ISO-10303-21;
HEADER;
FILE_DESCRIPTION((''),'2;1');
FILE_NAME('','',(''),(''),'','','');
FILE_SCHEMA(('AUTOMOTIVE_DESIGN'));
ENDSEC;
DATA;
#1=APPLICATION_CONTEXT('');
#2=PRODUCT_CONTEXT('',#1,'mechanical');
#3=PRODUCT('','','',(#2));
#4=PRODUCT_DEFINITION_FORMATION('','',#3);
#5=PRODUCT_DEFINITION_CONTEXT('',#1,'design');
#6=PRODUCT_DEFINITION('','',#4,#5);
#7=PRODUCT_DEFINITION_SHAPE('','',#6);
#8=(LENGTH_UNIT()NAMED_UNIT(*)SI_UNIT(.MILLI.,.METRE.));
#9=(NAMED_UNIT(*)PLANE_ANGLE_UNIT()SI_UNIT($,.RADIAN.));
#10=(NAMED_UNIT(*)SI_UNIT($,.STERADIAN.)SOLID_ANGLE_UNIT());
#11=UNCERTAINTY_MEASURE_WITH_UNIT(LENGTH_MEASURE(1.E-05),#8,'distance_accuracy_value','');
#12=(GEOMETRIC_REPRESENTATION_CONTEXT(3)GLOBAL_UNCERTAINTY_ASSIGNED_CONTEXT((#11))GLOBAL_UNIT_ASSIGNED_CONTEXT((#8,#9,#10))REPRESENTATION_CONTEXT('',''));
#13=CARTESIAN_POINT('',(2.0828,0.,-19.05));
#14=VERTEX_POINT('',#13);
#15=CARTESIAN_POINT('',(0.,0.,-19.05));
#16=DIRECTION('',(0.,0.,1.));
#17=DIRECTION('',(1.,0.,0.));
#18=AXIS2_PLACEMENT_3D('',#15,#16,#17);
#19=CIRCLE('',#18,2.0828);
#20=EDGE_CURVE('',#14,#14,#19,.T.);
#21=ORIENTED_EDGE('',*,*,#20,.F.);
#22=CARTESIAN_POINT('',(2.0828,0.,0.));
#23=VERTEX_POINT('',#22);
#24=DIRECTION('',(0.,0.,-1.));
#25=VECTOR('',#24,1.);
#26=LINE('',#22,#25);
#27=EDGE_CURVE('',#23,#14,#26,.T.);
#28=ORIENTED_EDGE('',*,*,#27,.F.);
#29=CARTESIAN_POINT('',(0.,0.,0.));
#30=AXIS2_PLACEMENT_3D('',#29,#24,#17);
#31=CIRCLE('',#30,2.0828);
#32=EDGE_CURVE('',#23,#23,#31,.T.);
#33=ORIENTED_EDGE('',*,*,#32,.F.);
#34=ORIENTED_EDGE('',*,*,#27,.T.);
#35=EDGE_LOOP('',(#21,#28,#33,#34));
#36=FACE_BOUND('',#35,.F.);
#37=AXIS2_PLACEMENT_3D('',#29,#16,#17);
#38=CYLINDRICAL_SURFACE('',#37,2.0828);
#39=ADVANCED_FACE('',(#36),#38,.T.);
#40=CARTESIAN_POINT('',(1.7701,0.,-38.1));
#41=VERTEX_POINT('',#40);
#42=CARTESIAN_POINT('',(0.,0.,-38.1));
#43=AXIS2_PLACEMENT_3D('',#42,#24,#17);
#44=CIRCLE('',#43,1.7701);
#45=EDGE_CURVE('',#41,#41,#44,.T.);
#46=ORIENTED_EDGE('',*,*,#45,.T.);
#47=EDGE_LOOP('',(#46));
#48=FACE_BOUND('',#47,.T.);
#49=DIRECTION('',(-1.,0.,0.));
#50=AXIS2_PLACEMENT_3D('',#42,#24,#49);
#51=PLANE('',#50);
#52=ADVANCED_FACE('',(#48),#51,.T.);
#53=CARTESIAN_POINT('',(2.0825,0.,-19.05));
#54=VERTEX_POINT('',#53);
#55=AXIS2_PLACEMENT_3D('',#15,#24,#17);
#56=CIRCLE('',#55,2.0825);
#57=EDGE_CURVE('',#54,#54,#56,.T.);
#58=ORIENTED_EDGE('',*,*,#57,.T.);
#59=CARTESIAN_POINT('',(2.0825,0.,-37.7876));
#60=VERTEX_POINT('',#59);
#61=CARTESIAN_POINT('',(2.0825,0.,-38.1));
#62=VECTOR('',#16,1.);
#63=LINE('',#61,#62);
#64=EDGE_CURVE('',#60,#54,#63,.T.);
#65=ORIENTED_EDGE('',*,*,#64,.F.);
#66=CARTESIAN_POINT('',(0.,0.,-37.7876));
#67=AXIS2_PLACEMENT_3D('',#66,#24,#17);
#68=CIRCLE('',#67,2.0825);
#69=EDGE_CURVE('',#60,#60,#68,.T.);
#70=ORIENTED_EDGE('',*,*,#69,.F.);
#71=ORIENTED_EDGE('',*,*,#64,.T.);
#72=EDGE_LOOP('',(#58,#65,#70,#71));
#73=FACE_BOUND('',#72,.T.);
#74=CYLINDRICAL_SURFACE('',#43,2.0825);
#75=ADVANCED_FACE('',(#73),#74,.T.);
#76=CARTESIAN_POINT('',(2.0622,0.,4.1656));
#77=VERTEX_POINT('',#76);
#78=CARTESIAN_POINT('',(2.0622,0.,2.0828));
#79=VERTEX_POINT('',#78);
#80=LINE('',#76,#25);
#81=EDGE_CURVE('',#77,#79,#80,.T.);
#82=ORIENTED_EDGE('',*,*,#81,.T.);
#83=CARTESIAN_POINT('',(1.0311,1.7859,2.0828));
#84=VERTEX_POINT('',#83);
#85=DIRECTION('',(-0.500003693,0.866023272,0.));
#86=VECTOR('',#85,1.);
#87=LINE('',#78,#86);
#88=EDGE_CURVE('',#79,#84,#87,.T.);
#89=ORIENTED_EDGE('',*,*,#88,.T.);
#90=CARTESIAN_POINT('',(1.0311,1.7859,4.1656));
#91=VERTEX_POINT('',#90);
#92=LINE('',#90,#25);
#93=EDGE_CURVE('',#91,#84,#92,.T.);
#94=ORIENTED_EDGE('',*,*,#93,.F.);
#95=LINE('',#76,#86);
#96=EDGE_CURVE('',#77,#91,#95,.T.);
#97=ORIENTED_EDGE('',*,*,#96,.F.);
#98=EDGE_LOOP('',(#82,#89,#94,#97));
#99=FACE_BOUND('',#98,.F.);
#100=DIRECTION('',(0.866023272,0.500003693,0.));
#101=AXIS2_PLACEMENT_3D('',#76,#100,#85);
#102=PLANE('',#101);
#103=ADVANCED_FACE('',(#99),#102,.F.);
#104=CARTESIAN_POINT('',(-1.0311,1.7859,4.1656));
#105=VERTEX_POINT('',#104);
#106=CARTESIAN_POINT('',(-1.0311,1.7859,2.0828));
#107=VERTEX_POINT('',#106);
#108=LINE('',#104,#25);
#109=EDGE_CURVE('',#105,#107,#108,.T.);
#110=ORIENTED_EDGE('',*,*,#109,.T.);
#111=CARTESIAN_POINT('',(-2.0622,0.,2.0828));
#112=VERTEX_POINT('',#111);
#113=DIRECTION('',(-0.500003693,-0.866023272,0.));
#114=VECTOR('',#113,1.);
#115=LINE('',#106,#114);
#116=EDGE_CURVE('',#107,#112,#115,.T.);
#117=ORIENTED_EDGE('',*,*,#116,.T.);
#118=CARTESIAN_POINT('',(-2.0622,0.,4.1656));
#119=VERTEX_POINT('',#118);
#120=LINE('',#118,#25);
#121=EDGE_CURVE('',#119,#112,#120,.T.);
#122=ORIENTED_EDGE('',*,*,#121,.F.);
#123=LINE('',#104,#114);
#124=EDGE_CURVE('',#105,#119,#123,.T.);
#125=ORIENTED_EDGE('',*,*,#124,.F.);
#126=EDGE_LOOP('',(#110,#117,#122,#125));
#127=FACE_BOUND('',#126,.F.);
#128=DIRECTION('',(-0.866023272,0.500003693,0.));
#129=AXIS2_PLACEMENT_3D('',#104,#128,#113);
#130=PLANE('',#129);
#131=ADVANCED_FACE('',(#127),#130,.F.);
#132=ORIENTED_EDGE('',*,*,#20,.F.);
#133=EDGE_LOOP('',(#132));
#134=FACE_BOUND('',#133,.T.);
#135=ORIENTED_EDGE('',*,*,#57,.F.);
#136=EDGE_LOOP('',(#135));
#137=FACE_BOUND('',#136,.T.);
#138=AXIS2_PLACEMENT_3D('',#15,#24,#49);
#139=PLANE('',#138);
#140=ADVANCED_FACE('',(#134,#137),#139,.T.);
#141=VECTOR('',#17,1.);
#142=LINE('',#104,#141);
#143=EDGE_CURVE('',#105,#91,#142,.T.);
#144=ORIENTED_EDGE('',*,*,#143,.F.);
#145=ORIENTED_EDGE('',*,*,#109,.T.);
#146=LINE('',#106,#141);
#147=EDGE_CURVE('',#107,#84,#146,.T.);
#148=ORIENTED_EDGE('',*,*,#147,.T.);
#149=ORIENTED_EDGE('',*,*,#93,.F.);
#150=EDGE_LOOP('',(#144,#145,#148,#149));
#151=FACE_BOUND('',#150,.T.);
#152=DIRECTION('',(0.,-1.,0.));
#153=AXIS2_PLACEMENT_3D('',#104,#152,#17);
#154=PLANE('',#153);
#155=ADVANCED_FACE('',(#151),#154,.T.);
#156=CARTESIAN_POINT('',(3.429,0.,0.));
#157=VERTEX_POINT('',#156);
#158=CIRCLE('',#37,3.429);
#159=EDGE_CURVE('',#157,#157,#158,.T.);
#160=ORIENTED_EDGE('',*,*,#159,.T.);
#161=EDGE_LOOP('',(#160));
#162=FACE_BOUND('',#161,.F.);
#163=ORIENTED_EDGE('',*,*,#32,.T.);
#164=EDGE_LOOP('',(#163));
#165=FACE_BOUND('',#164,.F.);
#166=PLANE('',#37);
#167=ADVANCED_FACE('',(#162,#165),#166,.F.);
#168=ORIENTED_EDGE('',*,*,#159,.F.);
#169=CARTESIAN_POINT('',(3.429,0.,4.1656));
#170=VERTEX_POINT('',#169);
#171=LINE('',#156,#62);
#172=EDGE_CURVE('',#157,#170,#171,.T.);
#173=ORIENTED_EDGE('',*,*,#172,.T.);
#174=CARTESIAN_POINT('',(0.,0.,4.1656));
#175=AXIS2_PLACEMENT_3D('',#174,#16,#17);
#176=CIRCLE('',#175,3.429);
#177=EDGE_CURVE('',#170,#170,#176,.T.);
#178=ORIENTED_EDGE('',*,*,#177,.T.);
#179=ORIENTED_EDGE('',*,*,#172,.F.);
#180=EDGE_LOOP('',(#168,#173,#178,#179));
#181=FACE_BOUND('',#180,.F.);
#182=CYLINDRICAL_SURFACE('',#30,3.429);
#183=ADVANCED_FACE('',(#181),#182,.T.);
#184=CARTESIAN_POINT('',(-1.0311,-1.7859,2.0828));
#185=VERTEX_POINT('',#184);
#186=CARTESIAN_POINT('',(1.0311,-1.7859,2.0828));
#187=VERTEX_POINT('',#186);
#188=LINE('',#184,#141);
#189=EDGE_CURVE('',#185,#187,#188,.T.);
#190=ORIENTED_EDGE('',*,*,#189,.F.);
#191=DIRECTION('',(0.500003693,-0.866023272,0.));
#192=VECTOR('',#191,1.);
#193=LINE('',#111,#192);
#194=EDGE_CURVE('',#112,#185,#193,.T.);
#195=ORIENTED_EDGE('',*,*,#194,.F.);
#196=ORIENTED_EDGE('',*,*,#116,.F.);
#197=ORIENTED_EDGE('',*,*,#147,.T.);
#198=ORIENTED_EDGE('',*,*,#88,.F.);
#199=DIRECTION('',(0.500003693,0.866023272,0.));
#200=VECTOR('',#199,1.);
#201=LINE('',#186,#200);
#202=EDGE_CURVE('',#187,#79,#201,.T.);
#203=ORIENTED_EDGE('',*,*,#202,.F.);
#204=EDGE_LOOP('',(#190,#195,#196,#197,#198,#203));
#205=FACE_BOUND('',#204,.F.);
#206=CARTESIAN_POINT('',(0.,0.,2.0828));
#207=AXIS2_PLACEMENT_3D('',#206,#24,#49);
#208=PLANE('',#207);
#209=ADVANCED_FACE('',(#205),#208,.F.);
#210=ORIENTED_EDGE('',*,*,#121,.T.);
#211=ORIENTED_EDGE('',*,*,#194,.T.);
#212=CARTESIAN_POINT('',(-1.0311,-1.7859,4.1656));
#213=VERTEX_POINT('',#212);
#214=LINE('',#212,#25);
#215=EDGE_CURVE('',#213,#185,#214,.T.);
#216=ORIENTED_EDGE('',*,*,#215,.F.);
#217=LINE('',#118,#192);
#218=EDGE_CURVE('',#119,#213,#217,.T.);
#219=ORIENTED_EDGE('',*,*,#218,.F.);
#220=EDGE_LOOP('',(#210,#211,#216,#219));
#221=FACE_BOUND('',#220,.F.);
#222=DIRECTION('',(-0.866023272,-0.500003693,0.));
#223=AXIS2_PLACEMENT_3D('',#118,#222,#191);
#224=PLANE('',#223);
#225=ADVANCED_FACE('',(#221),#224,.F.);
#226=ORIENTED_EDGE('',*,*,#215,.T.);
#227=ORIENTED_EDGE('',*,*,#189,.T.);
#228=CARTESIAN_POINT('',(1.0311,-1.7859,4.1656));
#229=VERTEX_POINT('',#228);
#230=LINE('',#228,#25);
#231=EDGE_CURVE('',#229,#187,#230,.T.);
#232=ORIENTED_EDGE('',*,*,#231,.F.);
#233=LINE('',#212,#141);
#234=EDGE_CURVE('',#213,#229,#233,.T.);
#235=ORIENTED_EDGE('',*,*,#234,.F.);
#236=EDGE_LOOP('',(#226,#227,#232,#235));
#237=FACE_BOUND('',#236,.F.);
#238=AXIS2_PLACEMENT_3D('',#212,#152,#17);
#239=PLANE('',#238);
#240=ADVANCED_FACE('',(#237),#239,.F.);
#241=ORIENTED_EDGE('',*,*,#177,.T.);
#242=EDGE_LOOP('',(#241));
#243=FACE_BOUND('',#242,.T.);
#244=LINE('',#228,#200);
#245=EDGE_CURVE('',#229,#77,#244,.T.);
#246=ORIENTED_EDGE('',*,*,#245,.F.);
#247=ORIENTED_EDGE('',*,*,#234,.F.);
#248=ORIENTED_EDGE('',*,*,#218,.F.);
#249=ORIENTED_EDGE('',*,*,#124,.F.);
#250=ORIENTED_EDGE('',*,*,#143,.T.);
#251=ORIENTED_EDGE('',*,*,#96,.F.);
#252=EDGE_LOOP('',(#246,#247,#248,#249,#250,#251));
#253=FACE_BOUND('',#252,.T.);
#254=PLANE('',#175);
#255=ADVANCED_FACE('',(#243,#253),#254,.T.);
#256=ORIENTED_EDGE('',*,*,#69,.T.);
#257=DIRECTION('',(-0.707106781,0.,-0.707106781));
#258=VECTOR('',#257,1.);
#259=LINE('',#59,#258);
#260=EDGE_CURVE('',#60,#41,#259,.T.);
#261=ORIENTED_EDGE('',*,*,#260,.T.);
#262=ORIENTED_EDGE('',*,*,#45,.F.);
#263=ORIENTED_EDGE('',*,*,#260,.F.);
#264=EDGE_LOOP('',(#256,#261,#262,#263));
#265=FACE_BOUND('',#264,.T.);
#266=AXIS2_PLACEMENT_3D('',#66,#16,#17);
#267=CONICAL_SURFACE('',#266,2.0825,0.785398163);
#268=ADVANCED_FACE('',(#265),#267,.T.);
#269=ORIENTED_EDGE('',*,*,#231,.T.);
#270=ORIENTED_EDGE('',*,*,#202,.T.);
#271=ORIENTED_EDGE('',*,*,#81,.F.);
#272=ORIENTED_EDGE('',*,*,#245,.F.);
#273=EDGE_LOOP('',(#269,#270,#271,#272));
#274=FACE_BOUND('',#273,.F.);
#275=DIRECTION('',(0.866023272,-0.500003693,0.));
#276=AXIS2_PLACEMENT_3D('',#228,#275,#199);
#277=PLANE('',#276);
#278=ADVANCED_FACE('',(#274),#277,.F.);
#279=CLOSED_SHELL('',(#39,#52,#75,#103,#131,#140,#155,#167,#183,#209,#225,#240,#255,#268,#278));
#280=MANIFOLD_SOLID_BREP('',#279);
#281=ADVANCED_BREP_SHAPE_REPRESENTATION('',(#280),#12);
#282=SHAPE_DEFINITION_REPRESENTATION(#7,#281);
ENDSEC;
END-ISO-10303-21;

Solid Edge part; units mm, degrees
sketch "Sketch1" plane through (0, 0, 0) normal (0, 0, 1) x (1, 0, 0)
  circle A0 centre (0, 0) radius 3.429
  dimension "D1" = 6.858
extrude "Protrusion1" add sketch "Sketch1" along normal blind 4.1656
sketch "Sketch2" plane through (0, 0, 0) normal (0, 0, -1) x (1, 0, 0)
  circle A0 centre (0, 0) radius 2.0828
extrude "Protrusion2" add sketch "Sketch2" along normal blind 38.1
sketch "Sketch3" plane through (0, 0, -38.1) normal (0, 0, -1) x (1, 0, 0)
  circle A0 centre (0, 0) radius 2.0825
extrude "Cutout1" cut sketch "Sketch3" against normal blind 19.05 flip side to cut
chamfer "Chamfer_1" distance 0.3124 angle 45 1 edges at (-2.0825, 0, -38.1)
sketch "Sketch4" plane through (0, 0, 4.1656) normal (0, 0, 1) x (1, 0, 0)
  line L0 (-1.0311, 1.7859) -> (1.0311, 1.7859)
  line L1 (2.0622, 0) -> (1.0311, 1.7859)
  line L2 (1.0311, -1.7859) -> (2.0622, 0)
  line L3 (-1.0311, -1.7859) -> (1.0311, -1.7859)
  line L4 (-2.0622, 0) -> (-1.0311, -1.7859)
  line L5 (-1.0311, 1.7859) -> (-2.0622, 0)
  dimension "D1" = 3.5719
extrude "Cutout2" cut sketch "Sketch4" against normal blind 2.0828
properties part number "24101591"
